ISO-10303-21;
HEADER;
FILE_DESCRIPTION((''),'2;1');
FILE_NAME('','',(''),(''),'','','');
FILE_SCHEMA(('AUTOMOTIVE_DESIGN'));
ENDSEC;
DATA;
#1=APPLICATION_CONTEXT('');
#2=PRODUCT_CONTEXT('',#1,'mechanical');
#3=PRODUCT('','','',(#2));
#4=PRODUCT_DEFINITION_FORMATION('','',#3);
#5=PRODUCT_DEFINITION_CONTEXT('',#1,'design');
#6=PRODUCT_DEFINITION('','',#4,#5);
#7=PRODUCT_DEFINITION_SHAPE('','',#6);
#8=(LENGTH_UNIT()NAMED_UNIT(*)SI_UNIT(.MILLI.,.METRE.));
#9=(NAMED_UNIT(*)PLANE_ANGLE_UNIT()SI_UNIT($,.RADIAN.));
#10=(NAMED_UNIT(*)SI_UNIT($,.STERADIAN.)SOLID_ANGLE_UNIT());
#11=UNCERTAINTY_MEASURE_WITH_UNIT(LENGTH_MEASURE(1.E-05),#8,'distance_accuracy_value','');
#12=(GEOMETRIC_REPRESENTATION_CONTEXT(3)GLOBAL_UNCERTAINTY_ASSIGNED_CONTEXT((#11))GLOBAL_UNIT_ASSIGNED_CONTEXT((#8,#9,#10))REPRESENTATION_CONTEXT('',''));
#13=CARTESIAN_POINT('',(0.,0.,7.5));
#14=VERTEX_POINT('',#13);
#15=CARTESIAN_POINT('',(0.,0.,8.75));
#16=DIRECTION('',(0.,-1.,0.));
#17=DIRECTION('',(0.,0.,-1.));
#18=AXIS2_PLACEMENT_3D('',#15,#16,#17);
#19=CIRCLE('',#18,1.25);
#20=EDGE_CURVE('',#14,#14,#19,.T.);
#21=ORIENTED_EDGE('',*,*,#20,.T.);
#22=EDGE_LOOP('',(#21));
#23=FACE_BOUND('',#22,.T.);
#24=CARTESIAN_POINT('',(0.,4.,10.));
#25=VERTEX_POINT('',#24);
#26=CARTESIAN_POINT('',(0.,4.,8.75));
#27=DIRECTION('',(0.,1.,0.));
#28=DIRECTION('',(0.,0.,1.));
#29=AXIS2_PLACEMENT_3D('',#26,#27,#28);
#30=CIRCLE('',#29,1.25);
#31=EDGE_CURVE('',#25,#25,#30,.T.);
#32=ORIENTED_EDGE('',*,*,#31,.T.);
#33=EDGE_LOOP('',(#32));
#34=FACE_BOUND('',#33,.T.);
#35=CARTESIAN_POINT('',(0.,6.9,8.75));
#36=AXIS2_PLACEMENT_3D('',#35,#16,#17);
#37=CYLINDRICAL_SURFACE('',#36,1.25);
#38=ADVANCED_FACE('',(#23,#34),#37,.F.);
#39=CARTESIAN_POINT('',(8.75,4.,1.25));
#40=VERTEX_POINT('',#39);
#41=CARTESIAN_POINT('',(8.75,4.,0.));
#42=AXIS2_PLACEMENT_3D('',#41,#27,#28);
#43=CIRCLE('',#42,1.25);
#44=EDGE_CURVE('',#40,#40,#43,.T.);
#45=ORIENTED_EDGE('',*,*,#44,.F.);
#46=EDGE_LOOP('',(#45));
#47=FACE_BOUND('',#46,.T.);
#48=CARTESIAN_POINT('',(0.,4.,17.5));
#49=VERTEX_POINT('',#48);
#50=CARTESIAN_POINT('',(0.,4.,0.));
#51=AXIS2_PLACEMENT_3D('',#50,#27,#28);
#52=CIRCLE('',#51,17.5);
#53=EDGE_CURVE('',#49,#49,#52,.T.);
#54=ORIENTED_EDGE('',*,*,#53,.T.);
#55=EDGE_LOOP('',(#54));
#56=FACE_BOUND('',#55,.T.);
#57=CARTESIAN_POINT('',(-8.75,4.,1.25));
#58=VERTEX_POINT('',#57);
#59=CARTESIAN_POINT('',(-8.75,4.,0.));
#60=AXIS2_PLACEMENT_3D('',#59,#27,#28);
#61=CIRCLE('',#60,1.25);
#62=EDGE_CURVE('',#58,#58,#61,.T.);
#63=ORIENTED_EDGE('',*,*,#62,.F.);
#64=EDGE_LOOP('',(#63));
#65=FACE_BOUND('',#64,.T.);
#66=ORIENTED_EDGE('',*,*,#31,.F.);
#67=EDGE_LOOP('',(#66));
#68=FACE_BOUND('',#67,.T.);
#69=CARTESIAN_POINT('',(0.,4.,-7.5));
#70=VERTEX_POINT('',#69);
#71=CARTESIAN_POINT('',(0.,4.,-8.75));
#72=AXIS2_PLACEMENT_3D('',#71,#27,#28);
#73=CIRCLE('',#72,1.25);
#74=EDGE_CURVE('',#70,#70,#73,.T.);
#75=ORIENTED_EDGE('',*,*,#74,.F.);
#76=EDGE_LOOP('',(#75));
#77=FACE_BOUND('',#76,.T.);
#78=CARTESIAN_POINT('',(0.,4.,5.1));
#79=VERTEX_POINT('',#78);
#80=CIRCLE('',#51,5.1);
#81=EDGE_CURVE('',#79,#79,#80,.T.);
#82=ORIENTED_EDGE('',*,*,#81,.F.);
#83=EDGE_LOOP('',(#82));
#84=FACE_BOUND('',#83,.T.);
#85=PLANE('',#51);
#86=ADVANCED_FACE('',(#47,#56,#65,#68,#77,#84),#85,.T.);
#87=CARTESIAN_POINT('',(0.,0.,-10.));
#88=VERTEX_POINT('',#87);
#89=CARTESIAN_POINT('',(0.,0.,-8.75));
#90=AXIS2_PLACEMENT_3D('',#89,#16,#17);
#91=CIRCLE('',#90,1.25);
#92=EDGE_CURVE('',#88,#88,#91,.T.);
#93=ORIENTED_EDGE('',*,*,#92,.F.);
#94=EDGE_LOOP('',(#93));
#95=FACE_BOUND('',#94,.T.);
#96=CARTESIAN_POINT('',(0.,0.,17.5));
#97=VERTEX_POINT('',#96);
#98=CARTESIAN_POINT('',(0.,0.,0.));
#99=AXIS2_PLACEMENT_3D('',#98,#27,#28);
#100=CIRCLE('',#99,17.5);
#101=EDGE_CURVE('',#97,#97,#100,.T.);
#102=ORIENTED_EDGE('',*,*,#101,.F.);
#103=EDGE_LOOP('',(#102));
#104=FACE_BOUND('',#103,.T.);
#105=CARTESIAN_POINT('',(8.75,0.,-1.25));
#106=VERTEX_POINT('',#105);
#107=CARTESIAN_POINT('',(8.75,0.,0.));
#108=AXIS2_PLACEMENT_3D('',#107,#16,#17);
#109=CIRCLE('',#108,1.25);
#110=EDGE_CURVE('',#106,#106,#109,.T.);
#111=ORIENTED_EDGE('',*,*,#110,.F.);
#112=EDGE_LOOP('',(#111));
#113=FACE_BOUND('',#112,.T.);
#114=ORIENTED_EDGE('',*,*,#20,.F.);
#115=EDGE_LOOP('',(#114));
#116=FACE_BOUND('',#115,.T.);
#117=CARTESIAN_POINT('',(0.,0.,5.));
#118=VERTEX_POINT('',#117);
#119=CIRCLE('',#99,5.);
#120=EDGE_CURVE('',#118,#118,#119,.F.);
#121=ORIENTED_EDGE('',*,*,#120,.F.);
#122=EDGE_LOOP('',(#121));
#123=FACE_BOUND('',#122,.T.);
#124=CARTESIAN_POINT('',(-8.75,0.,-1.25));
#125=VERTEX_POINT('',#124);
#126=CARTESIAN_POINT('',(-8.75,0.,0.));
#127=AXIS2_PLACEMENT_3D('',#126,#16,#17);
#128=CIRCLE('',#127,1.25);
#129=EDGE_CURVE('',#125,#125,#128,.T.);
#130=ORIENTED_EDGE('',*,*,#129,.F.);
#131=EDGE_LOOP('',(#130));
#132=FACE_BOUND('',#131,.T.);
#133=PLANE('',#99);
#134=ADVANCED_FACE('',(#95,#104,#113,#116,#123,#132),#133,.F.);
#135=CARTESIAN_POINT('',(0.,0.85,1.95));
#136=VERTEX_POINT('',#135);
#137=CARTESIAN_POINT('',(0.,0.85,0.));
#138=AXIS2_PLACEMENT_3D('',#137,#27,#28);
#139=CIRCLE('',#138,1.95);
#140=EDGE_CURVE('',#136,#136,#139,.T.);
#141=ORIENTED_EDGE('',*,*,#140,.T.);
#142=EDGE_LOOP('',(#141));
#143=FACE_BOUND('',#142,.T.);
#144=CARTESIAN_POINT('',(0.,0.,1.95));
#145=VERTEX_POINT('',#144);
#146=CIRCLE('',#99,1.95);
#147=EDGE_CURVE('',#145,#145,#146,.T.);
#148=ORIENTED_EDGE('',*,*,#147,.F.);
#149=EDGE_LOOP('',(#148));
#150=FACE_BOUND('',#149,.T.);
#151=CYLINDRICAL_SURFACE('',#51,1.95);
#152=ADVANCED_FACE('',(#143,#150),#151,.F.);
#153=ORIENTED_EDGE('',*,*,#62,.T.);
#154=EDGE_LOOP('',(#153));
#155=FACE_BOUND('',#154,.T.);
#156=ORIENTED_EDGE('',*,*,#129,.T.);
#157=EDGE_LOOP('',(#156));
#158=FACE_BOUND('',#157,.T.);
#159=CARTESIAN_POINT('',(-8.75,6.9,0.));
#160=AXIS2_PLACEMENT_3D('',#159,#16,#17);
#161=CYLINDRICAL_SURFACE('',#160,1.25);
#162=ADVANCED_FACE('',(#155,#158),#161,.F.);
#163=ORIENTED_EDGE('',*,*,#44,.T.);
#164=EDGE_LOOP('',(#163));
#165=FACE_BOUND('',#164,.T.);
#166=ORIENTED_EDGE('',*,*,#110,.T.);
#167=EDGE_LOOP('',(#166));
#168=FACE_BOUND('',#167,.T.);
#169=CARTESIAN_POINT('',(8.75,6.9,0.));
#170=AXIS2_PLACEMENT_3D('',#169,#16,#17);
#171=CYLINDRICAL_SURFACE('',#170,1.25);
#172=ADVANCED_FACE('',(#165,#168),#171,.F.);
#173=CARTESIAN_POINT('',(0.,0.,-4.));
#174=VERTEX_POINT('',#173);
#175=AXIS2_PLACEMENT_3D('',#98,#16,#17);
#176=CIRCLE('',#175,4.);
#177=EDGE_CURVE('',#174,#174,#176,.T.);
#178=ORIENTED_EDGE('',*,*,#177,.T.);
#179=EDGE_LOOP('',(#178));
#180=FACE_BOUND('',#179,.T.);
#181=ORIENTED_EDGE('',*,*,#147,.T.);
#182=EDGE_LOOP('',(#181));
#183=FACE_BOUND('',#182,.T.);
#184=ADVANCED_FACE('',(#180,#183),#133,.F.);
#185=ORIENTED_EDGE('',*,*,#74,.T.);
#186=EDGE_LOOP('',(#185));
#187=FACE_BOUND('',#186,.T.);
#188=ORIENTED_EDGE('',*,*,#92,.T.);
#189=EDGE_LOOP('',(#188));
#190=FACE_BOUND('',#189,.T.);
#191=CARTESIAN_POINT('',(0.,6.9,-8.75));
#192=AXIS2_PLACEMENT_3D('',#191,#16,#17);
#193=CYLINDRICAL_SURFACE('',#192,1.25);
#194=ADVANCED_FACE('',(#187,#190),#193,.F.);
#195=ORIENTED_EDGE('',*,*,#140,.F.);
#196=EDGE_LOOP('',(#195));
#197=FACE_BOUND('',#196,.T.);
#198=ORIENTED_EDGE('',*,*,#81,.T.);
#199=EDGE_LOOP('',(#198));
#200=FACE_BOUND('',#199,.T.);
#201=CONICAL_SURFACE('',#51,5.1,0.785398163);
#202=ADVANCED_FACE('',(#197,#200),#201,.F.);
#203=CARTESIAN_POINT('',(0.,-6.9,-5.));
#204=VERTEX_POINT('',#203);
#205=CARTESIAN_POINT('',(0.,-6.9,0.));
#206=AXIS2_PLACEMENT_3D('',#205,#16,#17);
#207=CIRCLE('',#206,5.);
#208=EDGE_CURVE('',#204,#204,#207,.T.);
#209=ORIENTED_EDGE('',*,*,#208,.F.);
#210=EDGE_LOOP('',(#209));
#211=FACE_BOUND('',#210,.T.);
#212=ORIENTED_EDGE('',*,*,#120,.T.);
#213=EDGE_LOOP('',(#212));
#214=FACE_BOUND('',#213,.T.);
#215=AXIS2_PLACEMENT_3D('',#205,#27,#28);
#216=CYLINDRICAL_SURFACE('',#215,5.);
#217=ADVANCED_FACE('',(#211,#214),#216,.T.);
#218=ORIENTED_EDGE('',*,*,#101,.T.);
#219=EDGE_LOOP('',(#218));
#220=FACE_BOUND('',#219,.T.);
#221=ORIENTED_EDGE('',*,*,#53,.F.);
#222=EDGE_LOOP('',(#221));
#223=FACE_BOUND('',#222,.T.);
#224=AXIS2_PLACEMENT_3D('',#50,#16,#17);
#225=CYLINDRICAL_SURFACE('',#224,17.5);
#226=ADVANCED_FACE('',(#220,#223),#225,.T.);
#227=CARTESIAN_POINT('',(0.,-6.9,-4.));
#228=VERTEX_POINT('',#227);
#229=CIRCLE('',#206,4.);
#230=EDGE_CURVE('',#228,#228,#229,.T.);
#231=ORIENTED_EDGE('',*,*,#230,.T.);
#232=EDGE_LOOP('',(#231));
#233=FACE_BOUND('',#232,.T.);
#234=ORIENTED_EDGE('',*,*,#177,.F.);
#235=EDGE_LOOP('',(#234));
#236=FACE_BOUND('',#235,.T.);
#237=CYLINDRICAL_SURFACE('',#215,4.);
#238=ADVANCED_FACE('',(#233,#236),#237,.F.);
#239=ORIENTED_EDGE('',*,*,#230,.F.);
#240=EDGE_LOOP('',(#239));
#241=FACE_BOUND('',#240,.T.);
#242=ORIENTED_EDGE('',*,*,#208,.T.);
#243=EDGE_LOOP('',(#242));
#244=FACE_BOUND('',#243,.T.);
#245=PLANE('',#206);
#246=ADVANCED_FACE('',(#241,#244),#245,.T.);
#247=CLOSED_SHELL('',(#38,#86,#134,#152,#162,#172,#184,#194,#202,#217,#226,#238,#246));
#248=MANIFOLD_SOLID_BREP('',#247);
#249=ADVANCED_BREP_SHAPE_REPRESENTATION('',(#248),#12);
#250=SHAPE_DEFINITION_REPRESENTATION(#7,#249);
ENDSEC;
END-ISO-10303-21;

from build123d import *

# Parameters (mm, degrees)
SKETCH1_R                                         = 17.5
BOSS_EXTRUDE1_DEPTH                               = 4
SKETCH2_R                                         = 5
SKETCH2_R_2                                       = 4
BOSS_EXTRUDE2_DEPTH                               = 6.9
SKETCH3_R                                         = 1.25
CUT_EXTRUDE1_DEPTH                                = 6.9
CSK_FOR_M3_5_FLAT_HEAD_MACHINE_SCREW1_D           = 3.9
CSK_FOR_M3_5_FLAT_HEAD_MACHINE_SCREW1_CSINK_D     = 10.2
CSK_FOR_M3_5_FLAT_HEAD_MACHINE_SCREW1_CSINK_ANGLE = 90
SKETCH6_R                                         = 1.25
CUT_EXTRUDE2_DEPTH                                = 6.9


with BuildPart() as part:
    # Sketch1 → Boss-Extrude1 (new body)
    with BuildSketch(Plane(origin=(0, 0, 0), x_dir=(1, 0, 0), z_dir=(0, 1, 0))):
        Circle(SKETCH1_R)
    extrude(amount=BOSS_EXTRUDE1_DEPTH)

    # Sketch2 → Boss-Extrude2 (add)
    with BuildSketch(Plane.XZ):
        Circle(SKETCH2_R)
        Circle(SKETCH2_R_2, mode=Mode.SUBTRACT)
    extrude(amount=BOSS_EXTRUDE2_DEPTH)

    # Sketch3 → Cut-Extrude1 (cut)
    with BuildSketch(Plane.XZ):
        with Locations((-8.75, 0)):
            Circle(SKETCH3_R)
        with Locations((8.75, 0)):
            Circle(SKETCH3_R)
    extrude(amount=-CUT_EXTRUDE1_DEPTH, mode=Mode.SUBTRACT)

    # CSK for M3.5 Flat Head Machine Screw1 (through all)
    with Locations(Plane(origin=(0, 4, 0), x_dir=(1, 0, 0), z_dir=(0, 1, 0))):
        with Locations((0, 0)):
            CounterSinkHole(CSK_FOR_M3_5_FLAT_HEAD_MACHINE_SCREW1_D / 2, CSK_FOR_M3_5_FLAT_HEAD_MACHINE_SCREW1_CSINK_D / 2, counter_sink_angle=CSK_FOR_M3_5_FLAT_HEAD_MACHINE_SCREW1_CSINK_ANGLE)

    # Sketch6 → Cut-Extrude2 (cut)
    with BuildSketch(Plane.XZ):
        with Locations((0, 8.75)):
            Circle(SKETCH6_R)
        with Locations((0, -8.75)):
            Circle(SKETCH6_R)
    extrude(amount=-CUT_EXTRUDE2_DEPTH, mode=Mode.SUBTRACT)


solid = part.part
